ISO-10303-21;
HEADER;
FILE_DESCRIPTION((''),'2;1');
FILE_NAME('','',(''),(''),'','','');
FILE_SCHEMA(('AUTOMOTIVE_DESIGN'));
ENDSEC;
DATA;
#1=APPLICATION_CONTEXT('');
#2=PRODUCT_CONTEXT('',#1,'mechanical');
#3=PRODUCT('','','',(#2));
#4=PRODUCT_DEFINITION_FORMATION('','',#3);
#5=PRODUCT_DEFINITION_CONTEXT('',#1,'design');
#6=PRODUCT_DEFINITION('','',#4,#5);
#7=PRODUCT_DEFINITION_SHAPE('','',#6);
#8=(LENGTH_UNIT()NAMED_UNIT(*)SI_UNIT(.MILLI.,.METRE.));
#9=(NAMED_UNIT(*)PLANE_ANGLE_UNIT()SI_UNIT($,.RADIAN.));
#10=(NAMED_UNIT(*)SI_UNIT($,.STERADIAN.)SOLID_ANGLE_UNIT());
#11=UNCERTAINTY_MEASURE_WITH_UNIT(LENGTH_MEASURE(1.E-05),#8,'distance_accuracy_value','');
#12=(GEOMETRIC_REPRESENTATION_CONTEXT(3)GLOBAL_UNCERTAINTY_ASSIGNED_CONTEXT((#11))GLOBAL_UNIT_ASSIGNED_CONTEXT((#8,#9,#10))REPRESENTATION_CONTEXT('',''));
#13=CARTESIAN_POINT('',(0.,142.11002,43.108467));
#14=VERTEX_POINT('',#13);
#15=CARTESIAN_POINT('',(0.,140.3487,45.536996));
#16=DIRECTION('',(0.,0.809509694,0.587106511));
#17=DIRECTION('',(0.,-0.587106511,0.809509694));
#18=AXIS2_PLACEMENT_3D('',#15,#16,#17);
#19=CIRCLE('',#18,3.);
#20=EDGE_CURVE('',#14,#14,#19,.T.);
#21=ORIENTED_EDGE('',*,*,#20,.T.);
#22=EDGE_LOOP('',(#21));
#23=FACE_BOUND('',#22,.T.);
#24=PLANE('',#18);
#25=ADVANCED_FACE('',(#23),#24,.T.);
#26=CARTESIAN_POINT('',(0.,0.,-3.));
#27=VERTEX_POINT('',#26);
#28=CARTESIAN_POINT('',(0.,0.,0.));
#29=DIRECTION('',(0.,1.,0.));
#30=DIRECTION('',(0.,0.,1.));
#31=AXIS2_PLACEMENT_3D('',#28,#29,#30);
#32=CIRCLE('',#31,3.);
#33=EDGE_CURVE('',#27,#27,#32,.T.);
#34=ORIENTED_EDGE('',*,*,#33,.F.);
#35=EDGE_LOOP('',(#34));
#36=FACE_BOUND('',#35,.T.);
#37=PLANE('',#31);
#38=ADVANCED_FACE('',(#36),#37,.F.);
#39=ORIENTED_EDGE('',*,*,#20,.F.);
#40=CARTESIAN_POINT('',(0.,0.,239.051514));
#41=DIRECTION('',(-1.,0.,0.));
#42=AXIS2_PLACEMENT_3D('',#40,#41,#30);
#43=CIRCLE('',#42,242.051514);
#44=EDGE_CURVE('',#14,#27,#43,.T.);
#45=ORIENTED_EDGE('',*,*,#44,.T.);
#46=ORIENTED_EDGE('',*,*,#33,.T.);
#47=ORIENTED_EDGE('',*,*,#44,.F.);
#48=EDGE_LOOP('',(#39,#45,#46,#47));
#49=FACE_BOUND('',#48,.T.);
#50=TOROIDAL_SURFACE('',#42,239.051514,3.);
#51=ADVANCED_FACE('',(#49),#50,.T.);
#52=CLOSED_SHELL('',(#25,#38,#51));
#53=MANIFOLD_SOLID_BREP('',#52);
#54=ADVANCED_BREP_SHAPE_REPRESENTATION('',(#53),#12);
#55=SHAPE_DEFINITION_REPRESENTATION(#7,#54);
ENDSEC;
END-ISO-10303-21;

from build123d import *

# Parameters (mm, degrees)
SKETCH2_R = 3


with BuildPart() as part:
    # Sweep1: sweep along a path in Sketch1
    with BuildLine(Plane(origin=(0, 0, 0), x_dir=(0, 0, -1), z_dir=(1, 0, 0))) as sweep1_path:
        ThreePointArc((0, 0), (-11.669055525, 73.775632332), (-45.536996043, 140.348700369))
    # Sketch2 → Sweep1 (sweep)
    with BuildSketch(Plane(origin=(0, 0, 0), x_dir=(1, 0, 0), z_dir=(0, 1, 0))):
        Circle(SKETCH2_R)
    sweep(path=sweep1_path.line)


solid = part.part
